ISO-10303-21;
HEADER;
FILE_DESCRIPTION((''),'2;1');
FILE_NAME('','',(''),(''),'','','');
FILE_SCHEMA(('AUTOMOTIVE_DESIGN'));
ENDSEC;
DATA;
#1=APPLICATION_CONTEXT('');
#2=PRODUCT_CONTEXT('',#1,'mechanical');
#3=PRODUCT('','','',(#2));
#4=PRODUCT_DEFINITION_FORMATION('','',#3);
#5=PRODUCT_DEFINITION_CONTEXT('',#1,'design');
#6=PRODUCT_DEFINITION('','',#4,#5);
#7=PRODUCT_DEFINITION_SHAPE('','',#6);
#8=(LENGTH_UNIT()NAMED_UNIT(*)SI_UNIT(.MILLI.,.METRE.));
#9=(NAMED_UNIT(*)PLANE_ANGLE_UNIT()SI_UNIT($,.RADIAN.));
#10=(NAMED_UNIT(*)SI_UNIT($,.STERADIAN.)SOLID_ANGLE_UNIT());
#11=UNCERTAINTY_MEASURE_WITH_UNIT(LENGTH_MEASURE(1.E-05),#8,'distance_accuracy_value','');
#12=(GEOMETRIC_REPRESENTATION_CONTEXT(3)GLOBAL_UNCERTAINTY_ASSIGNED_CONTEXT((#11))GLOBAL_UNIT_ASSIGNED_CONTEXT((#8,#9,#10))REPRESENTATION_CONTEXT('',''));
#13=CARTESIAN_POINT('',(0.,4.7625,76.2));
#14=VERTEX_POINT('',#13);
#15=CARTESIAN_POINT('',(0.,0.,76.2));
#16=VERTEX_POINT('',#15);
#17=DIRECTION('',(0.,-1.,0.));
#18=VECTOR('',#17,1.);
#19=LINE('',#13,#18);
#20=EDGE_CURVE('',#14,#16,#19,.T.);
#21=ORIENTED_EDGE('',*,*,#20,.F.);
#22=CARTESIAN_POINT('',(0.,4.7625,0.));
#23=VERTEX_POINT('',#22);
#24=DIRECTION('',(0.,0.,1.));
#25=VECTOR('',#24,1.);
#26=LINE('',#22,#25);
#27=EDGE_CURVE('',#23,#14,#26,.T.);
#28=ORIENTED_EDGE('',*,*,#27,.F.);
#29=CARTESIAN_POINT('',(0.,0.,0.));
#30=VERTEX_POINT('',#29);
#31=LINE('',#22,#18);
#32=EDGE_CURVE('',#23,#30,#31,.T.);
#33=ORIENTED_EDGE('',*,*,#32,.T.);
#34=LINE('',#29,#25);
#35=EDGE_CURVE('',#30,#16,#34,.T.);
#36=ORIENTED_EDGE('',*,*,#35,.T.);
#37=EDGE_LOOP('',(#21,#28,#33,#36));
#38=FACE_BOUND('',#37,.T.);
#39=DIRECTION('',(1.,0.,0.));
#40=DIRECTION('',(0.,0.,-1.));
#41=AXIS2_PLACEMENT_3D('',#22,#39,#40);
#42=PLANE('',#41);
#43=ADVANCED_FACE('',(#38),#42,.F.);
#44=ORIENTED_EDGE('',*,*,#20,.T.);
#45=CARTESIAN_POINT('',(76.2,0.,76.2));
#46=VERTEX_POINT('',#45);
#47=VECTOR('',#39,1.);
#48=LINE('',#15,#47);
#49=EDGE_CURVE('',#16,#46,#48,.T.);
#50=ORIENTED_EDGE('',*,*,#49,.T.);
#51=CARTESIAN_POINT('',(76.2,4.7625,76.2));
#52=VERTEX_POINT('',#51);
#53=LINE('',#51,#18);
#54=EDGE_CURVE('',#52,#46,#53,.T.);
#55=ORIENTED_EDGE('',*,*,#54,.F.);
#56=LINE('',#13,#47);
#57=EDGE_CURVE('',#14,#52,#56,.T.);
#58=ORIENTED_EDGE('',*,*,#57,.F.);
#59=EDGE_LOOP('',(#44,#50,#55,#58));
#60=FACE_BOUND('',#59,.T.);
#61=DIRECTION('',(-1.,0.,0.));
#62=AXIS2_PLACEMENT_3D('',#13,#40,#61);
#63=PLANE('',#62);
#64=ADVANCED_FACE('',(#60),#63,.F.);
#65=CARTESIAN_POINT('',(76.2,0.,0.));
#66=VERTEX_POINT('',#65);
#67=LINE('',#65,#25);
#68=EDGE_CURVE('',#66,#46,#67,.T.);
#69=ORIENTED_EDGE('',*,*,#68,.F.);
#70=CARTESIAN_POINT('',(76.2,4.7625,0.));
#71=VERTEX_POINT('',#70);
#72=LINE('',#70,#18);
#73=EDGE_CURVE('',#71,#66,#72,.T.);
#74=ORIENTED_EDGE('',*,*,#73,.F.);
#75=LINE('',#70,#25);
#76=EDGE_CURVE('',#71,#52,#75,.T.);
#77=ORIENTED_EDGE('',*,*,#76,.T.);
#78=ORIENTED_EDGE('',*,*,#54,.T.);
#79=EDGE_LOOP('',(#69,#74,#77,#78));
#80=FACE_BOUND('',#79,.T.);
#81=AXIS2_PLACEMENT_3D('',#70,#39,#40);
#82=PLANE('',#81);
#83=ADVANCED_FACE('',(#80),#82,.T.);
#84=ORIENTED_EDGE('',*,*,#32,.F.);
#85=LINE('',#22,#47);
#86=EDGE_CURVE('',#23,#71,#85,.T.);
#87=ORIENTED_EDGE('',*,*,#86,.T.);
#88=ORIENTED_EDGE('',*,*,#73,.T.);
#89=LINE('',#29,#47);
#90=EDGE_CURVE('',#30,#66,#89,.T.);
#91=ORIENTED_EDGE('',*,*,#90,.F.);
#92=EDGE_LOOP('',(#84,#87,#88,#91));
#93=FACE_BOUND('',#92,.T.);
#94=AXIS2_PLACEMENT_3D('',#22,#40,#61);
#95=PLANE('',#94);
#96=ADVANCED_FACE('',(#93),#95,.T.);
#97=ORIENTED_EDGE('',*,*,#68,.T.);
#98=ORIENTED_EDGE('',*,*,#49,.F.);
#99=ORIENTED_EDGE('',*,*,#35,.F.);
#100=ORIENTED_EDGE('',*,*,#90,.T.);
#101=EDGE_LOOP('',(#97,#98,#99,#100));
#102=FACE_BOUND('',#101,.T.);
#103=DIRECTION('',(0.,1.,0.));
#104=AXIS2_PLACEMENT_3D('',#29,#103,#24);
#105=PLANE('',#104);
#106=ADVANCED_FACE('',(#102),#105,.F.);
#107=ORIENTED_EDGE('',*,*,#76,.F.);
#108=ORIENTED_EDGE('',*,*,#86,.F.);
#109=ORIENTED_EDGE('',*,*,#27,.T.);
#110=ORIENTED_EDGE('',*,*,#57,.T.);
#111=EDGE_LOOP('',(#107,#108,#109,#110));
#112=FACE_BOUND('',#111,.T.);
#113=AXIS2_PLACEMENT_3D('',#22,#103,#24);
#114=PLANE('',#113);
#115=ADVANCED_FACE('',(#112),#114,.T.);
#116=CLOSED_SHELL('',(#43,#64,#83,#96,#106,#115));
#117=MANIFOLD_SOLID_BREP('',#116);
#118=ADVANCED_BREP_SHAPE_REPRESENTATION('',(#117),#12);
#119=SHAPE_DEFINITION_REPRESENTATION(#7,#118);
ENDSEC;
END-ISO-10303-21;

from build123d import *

# Parameters (mm, degrees)
SKETCH1_W           = 76.2
SKETCH1_H           = 76.2
BOSS_EXTRUDE1_DEPTH = 4.7625


with BuildPart() as part:
    # Sketch1 → Boss-Extrude1 (new body)
    with BuildSketch(Plane(origin=(0, 0, 0), x_dir=(1, 0, 0), z_dir=(0, 1, 0))):
        with Locations((38.1, -38.1)):
            Rectangle(SKETCH1_W, SKETCH1_H)
    extrude(amount=BOSS_EXTRUDE1_DEPTH)


solid = part.part
